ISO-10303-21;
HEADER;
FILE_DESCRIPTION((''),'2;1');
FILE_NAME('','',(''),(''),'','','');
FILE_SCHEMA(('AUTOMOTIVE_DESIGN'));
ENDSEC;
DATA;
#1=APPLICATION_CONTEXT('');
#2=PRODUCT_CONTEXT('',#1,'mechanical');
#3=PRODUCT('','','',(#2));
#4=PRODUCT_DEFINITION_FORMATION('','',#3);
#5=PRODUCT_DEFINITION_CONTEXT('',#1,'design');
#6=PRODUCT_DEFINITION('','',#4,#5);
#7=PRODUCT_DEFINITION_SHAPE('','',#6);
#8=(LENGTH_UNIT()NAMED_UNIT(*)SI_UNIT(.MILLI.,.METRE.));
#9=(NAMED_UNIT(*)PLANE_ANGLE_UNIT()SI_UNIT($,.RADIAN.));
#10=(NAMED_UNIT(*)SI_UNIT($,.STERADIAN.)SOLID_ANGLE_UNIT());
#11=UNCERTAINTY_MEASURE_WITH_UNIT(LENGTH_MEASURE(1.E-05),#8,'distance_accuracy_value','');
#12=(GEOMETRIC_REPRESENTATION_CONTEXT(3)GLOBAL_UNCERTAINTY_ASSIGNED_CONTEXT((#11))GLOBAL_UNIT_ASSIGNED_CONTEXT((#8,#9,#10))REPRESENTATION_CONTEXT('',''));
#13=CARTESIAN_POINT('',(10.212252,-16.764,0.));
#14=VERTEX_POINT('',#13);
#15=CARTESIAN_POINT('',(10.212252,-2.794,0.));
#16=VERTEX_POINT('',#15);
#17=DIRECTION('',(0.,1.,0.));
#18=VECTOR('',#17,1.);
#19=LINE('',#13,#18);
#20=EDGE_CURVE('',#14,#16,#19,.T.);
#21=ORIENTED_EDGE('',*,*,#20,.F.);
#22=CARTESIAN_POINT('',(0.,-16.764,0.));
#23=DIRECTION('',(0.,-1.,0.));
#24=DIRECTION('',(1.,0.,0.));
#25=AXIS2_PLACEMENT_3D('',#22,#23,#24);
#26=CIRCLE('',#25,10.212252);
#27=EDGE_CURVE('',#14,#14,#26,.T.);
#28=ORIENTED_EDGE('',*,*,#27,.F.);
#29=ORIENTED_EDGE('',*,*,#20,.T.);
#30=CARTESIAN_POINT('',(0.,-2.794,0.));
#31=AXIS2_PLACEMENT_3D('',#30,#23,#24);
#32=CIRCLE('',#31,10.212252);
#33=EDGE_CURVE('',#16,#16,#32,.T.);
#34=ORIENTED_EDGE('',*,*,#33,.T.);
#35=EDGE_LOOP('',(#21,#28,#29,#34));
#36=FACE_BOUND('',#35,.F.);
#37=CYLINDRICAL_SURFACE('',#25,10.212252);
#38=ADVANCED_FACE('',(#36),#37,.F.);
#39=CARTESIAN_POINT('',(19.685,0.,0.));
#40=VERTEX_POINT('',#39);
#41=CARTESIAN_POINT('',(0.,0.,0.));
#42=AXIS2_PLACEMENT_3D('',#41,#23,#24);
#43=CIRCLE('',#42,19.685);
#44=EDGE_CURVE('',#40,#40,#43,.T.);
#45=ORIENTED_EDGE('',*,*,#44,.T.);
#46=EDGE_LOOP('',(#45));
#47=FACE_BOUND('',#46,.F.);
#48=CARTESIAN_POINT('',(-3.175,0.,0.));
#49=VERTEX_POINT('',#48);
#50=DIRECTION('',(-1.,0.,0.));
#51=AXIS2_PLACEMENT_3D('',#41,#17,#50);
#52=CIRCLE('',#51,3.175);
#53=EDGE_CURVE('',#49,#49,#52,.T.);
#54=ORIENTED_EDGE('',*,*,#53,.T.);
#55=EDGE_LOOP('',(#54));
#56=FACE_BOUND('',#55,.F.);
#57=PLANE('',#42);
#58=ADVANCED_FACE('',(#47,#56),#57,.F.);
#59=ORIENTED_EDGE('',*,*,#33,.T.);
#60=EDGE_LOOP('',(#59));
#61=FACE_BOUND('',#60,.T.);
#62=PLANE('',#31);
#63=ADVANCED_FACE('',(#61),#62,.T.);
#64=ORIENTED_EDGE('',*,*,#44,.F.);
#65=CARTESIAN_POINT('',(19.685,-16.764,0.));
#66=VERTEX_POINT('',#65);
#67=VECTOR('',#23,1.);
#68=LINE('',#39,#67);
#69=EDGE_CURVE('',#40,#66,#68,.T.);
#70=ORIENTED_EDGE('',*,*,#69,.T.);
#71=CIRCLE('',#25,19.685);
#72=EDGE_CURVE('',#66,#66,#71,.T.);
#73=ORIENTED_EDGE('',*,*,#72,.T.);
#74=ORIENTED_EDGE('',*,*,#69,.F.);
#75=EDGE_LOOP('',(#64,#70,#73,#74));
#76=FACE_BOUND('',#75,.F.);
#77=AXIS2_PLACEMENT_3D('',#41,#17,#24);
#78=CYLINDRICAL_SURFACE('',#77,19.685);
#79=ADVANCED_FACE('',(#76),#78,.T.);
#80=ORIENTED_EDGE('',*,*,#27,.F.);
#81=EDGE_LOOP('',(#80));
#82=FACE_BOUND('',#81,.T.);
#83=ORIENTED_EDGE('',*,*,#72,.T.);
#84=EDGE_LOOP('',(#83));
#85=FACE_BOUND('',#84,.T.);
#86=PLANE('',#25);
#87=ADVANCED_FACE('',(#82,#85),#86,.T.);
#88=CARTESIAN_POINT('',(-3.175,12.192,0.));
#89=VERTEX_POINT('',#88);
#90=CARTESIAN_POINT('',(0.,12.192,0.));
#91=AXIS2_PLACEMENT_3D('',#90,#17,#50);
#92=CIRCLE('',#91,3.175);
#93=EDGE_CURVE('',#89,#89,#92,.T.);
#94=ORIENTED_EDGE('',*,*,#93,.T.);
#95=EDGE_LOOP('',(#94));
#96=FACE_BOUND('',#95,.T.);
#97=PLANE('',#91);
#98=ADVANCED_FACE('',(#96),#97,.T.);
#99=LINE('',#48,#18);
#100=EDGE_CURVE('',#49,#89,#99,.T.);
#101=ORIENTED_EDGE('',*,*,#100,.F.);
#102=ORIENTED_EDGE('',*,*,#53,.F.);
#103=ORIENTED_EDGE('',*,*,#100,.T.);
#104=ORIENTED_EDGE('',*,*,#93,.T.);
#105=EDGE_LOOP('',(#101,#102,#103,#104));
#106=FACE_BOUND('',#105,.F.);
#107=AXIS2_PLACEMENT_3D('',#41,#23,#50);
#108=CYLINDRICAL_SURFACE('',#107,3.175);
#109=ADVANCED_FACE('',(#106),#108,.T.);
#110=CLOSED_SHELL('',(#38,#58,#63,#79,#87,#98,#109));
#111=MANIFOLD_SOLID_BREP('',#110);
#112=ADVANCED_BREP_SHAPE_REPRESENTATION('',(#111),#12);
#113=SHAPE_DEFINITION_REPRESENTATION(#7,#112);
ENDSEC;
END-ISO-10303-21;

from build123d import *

# Parameters (mm, degrees)
F0_R     = 19.685
F1_DEPTH = 16.764
F2_R     = 10.212252
F3_DEPTH = 13.97
F4_R     = 3.175
F5_DEPTH = 12.192


with BuildPart() as f1:
    # F0 (on Front) → F1 (new body)
    with BuildSketch(Plane.XZ):
        Circle(F0_R)
    extrude(amount=F1_DEPTH)

    # F2 (on face) → F3 (cut)
    with BuildSketch(Plane.XZ.offset(16.764)):
        Circle(F2_R)
    extrude(amount=-F3_DEPTH, mode=Mode.SUBTRACT)

    # F4 (on face) → F5 (join)
    with BuildSketch(Plane(origin=(0, 0, 0), x_dir=(-1, 0, 0), z_dir=(0, 1, 0))):
        Circle(F4_R)
    extrude(amount=F5_DEPTH)


solid = f1.part
